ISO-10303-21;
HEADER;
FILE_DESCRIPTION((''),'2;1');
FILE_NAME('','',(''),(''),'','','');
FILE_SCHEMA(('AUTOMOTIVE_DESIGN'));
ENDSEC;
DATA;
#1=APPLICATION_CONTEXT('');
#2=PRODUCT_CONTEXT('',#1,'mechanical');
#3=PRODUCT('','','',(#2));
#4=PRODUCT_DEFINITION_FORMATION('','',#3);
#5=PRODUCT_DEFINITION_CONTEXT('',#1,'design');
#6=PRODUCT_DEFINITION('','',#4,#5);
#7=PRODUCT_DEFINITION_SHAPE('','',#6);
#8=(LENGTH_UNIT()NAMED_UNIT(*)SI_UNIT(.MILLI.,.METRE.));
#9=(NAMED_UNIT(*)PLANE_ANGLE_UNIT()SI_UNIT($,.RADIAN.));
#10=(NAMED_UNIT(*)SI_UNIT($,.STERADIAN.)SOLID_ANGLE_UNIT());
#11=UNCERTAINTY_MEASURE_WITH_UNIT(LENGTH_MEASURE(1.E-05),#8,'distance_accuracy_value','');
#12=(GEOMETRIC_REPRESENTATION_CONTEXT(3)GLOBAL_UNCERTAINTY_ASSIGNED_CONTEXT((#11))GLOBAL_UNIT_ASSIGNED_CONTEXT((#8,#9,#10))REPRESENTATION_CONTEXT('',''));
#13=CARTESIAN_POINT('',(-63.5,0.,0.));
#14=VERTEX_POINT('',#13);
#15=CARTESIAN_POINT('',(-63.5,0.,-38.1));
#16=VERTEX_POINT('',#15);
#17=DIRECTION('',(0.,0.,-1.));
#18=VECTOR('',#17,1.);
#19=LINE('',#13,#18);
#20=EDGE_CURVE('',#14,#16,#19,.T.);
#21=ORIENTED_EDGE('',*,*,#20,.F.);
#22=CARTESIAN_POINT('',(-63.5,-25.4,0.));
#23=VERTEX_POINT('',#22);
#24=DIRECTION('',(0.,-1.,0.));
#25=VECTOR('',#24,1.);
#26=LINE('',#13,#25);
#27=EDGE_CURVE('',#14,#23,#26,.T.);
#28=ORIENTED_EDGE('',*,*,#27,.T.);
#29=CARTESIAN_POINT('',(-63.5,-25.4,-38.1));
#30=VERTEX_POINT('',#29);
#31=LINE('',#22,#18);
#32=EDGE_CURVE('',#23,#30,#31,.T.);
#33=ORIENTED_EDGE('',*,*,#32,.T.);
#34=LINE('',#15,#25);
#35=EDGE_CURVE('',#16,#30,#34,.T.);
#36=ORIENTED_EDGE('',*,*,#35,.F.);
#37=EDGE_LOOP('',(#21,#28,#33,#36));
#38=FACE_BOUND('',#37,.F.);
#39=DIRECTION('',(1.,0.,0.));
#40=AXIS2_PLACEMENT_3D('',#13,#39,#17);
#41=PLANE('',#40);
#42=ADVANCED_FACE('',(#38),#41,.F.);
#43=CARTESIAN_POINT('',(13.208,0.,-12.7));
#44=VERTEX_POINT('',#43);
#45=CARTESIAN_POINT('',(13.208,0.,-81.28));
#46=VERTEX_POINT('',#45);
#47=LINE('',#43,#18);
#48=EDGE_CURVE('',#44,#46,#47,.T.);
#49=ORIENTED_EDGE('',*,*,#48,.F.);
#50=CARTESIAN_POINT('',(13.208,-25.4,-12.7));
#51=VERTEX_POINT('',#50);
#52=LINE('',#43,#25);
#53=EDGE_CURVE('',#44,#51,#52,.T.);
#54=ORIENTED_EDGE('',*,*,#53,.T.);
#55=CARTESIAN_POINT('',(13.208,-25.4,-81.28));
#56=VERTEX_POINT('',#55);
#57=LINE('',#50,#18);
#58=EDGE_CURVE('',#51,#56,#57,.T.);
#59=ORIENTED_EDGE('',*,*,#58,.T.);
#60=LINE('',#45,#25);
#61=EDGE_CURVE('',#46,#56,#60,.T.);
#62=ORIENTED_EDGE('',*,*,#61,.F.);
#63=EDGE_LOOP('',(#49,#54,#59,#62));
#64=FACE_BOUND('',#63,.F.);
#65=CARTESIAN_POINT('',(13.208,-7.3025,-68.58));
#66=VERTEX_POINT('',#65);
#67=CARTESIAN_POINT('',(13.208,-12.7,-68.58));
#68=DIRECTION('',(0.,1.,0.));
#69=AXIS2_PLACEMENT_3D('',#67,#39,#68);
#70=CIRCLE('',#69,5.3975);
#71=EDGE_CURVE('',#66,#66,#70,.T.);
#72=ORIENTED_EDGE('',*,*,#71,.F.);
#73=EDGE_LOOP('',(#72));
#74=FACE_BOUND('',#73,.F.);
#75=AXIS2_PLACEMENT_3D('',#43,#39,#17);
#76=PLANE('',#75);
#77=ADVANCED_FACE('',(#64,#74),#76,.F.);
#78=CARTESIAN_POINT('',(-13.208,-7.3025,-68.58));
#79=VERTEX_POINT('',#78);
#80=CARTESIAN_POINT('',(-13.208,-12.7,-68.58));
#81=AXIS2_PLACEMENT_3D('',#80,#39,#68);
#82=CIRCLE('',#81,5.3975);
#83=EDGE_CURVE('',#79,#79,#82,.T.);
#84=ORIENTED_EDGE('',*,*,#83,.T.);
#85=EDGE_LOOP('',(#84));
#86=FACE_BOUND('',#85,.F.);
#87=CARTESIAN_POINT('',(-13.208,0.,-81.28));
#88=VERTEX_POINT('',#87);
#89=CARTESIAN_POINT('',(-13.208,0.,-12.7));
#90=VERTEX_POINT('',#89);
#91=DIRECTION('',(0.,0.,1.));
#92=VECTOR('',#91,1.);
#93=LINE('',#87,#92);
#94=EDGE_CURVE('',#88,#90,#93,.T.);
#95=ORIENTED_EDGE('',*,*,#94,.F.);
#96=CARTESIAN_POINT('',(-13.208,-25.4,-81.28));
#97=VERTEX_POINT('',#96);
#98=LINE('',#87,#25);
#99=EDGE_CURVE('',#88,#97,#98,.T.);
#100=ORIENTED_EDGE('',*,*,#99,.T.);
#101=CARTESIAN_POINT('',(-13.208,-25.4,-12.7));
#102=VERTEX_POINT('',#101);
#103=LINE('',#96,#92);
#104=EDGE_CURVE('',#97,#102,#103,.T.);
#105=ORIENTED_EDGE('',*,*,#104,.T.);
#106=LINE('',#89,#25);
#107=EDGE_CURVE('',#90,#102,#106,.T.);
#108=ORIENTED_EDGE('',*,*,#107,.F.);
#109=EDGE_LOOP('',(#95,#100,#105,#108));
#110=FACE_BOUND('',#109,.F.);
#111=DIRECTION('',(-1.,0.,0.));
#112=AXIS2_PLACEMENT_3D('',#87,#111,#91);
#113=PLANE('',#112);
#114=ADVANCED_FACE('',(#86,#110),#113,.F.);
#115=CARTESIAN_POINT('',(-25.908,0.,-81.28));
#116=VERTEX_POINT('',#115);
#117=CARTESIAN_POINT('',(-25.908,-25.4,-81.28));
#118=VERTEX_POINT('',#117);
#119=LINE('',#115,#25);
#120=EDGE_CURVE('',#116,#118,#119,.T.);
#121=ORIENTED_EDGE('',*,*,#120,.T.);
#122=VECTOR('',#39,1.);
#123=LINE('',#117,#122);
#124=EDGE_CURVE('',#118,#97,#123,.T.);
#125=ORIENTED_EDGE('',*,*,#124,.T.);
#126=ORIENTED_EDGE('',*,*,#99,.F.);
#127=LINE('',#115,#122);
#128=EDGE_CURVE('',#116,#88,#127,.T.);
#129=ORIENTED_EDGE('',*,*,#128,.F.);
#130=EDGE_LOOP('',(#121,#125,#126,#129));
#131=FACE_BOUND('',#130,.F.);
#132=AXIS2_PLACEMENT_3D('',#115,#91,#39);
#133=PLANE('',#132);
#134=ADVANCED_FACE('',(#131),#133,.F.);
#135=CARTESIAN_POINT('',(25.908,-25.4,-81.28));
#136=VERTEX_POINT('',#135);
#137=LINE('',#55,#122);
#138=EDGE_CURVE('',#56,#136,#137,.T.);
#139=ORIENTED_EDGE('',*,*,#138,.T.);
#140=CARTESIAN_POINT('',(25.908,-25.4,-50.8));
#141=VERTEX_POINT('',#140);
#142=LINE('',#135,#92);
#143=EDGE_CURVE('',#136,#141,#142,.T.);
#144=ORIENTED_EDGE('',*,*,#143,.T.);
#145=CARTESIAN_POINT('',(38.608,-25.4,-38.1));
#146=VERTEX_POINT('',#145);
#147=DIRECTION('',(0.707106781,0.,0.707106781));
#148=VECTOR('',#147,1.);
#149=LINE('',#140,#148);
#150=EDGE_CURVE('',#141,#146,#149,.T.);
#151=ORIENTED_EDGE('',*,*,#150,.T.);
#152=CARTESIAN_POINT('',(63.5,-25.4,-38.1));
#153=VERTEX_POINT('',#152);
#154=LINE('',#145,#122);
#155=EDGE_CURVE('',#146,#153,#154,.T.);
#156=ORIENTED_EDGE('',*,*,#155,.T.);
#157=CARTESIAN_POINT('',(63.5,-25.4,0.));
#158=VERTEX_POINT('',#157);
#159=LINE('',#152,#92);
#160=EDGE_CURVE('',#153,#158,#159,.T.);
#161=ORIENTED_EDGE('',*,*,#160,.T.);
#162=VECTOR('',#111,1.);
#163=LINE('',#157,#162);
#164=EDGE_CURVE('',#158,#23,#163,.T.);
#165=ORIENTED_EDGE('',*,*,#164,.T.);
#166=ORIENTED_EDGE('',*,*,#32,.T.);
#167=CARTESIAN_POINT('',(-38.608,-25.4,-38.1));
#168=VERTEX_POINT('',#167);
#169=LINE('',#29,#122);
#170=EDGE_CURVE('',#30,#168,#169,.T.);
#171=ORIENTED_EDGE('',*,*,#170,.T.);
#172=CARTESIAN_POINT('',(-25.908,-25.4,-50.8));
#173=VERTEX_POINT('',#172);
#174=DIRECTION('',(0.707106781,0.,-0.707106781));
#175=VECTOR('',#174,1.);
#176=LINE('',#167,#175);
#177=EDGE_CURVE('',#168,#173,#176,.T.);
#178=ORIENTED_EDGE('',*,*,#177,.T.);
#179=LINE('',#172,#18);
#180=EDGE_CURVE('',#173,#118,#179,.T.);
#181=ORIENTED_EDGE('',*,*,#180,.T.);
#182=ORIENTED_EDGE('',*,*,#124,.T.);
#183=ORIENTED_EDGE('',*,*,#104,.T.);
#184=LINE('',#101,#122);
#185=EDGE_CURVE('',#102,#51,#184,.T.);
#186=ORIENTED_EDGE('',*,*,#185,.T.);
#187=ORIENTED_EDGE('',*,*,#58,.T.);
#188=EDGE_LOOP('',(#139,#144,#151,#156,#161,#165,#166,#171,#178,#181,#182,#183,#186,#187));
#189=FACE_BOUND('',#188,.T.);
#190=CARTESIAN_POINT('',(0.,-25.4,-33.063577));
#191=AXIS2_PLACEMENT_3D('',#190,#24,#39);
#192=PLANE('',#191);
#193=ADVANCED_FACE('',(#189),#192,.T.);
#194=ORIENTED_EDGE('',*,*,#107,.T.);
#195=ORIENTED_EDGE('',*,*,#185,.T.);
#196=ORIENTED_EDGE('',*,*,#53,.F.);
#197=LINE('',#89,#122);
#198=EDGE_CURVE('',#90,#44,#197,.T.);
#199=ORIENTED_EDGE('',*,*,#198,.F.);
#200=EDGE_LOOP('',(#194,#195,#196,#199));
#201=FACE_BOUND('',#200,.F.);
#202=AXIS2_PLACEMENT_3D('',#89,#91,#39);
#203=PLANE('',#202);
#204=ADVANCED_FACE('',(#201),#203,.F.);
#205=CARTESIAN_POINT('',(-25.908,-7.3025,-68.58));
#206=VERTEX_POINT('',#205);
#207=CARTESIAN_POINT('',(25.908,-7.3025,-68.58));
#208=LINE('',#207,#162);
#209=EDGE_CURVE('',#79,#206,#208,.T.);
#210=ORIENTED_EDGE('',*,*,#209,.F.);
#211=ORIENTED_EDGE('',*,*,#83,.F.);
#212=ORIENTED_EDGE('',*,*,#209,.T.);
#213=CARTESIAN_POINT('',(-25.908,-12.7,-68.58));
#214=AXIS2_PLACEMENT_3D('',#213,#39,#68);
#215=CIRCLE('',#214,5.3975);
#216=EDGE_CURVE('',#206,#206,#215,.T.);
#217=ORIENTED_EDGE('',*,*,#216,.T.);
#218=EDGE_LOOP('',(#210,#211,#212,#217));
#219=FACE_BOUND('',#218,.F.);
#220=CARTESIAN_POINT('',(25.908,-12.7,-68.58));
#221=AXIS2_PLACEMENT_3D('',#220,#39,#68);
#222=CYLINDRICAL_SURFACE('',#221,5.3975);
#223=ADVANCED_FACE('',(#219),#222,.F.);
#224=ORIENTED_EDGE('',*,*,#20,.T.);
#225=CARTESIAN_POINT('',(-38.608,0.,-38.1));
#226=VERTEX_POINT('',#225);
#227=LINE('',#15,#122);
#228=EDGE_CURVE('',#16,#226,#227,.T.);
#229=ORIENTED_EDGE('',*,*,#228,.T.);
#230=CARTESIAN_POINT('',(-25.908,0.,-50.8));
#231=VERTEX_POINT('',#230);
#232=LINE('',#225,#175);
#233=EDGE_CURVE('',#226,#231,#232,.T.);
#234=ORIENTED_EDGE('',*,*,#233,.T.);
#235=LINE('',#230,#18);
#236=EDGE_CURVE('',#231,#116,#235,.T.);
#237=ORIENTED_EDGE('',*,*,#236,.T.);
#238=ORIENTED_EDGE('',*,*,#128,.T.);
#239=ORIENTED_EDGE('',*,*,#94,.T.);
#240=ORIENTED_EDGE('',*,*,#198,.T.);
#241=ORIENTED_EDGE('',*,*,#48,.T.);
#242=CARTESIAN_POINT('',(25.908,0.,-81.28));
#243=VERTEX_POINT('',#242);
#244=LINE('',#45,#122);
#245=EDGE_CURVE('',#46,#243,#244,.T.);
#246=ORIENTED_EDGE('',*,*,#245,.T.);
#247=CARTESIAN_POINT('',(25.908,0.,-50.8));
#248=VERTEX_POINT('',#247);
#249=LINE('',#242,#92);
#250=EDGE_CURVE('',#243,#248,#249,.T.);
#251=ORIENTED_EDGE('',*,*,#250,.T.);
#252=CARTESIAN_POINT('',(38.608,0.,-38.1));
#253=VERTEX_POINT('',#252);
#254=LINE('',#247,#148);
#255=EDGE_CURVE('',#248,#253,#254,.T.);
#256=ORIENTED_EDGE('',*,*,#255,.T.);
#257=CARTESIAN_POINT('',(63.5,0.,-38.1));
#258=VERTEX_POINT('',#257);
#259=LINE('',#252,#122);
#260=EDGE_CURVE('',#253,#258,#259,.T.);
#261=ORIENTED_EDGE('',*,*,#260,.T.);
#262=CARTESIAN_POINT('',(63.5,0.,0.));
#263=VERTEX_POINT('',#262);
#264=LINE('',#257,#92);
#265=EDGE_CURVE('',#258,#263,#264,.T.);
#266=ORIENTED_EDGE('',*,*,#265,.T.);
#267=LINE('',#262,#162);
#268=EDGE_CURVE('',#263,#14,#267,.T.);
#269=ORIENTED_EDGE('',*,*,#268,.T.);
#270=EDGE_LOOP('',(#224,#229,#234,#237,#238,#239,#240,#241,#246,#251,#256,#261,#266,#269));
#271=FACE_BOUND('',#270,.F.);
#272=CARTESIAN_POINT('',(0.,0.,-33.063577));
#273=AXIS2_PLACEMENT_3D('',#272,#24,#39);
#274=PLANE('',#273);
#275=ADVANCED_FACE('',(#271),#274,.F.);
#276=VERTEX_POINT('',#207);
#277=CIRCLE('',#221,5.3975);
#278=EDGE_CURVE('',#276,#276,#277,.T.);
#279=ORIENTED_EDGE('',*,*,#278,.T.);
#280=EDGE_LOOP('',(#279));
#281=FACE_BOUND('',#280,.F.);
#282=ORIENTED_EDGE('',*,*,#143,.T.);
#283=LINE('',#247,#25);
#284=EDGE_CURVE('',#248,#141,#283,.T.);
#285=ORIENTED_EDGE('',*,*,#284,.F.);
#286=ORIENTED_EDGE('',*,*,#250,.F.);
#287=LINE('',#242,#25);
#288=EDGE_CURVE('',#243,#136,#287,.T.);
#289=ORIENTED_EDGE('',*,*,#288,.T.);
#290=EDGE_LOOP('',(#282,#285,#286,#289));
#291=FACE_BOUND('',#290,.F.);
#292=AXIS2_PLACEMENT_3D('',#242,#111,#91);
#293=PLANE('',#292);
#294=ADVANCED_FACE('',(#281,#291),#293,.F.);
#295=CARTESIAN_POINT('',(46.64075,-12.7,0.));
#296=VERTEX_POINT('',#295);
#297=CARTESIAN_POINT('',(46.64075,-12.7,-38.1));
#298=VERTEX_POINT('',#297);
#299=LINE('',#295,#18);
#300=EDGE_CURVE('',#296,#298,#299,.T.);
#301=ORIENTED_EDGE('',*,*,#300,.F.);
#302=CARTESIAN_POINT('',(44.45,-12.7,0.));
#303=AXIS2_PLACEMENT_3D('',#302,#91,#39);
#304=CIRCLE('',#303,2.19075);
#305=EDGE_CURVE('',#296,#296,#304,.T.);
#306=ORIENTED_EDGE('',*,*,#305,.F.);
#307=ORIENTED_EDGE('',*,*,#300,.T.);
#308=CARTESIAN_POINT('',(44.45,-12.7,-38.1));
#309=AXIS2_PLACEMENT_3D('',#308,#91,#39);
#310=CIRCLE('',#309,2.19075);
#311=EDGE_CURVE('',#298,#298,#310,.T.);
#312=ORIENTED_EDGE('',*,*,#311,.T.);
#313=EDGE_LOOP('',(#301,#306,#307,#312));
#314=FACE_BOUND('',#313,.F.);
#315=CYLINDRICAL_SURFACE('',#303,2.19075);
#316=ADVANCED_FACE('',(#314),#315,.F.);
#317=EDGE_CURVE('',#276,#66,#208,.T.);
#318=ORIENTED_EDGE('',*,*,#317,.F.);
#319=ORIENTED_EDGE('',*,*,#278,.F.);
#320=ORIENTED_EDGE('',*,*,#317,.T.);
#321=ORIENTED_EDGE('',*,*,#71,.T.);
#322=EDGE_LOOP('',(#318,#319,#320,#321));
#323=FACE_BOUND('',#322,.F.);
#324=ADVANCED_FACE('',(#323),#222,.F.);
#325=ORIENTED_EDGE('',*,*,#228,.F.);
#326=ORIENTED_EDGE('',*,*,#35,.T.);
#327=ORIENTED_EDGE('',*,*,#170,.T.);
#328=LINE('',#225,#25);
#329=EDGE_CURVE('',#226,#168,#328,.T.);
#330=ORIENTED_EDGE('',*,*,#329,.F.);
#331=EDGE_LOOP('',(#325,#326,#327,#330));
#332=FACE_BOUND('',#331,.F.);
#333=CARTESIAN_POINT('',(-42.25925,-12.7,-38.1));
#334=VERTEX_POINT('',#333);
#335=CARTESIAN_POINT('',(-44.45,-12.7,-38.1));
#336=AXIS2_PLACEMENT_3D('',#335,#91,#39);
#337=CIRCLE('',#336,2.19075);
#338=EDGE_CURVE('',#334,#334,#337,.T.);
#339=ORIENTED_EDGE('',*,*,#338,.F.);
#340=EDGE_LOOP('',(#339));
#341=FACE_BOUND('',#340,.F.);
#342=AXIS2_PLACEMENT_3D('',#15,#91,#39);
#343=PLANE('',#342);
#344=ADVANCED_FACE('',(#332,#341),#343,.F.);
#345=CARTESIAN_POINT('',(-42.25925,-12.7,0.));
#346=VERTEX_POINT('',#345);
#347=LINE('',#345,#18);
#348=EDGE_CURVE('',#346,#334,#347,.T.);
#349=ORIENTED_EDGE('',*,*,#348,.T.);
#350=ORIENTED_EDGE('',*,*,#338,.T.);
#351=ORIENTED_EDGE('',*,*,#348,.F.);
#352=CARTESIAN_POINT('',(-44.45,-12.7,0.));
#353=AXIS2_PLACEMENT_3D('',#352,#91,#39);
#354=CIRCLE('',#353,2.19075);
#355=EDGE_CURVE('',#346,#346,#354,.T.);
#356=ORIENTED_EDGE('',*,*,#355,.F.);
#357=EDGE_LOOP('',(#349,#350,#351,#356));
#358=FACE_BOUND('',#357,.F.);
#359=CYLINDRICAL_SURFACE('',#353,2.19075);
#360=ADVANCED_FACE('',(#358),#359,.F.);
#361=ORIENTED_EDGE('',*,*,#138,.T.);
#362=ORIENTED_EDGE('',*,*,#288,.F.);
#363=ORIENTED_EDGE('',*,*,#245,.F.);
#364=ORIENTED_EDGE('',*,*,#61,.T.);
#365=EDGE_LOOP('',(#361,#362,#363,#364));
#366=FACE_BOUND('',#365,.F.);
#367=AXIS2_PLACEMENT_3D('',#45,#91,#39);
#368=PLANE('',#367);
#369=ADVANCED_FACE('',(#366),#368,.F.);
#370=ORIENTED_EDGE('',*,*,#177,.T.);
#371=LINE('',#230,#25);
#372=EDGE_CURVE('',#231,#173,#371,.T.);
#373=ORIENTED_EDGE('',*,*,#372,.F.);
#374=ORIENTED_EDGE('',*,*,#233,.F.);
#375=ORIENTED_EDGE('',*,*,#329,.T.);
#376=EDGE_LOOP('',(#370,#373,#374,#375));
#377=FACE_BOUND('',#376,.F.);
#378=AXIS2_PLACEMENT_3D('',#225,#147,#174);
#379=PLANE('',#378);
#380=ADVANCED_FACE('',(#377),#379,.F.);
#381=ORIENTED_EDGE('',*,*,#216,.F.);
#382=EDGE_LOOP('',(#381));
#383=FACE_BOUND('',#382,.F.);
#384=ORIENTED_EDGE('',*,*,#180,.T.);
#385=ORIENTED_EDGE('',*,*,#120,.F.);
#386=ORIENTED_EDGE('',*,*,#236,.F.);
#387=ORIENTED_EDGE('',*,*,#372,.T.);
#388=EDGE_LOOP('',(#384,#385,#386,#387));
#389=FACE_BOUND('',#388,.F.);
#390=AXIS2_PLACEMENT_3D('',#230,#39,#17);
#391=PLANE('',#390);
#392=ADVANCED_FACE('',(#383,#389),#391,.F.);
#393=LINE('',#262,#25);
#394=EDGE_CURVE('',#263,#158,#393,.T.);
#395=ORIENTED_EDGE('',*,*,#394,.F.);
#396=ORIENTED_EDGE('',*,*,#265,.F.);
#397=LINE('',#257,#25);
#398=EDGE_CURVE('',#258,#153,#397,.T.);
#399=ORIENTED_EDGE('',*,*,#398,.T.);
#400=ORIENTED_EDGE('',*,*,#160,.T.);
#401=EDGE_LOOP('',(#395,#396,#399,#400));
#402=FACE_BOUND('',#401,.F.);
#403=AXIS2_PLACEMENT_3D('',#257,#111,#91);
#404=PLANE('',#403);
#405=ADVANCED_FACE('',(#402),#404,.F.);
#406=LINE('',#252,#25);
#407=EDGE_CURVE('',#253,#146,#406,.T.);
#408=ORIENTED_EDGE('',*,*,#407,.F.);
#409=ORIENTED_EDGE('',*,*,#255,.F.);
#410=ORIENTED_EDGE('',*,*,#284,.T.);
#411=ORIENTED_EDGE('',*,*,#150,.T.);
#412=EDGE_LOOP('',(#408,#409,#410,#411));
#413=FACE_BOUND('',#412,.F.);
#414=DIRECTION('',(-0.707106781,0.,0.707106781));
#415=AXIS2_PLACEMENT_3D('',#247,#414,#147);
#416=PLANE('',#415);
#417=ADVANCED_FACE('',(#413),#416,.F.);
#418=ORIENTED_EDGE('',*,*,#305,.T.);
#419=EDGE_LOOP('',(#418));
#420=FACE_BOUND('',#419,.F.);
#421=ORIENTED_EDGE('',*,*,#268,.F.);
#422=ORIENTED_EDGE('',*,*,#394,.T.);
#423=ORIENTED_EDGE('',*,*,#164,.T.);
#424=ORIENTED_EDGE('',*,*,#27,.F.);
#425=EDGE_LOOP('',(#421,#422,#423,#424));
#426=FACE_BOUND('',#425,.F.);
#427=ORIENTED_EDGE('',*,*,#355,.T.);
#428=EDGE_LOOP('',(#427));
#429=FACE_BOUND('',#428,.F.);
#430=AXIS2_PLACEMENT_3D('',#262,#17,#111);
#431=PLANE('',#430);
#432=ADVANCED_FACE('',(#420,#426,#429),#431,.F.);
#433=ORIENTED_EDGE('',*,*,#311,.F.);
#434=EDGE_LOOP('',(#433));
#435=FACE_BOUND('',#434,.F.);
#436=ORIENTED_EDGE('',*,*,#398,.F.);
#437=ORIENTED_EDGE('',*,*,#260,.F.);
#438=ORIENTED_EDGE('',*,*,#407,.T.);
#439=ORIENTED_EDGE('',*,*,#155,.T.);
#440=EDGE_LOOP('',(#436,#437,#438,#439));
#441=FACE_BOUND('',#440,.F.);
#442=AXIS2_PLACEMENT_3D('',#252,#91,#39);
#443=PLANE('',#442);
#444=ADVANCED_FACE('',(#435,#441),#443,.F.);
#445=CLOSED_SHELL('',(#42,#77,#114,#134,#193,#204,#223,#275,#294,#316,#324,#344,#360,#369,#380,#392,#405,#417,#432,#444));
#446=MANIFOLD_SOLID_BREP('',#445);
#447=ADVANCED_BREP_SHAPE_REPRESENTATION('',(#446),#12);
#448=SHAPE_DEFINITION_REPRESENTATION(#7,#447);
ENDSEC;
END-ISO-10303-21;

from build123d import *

# Parameters (mm, degrees)
F1_DEPTH = 25.4
F2_R     = 2.19075
F3_DEPTH = 81.281
F4_R     = 5.3975
F5_DEPTH = 89.409


with BuildPart() as f1:
    # F0 (on Front) → F1 (new body)
    with BuildSketch(Plane.XZ):
        Polygon((25.908, -50.8), (38.608, -38.1), (63.5, -38.1), (63.5, 0), (0, 0), (-63.5, 0), (-63.5, -38.1), (-38.608, -38.1), (-25.908, -50.8), (-25.908, -81.28), (-13.208, -81.28), (-13.208, -12.7), (13.208, -12.7), (13.208, -81.28), (25.908, -81.28), align=None)
    extrude(amount=F1_DEPTH)

    # F2 (on face) → F3 (cut, through all)
    with BuildSketch(Plane.XY):
        with Locations((-44.45, -12.7)):
            Circle(F2_R)
        with Locations((44.45, -12.7)):
            Circle(F2_R)
    extrude(amount=-F3_DEPTH, mode=Mode.SUBTRACT)

    # F4 (on face) → F5 (cut, through all)
    with BuildSketch(Plane.YZ.offset(25.908)):
        with Locations((-12.7, -68.58)):
            Circle(F4_R)
    extrude(amount=-F5_DEPTH, mode=Mode.SUBTRACT)


solid = f1.part
